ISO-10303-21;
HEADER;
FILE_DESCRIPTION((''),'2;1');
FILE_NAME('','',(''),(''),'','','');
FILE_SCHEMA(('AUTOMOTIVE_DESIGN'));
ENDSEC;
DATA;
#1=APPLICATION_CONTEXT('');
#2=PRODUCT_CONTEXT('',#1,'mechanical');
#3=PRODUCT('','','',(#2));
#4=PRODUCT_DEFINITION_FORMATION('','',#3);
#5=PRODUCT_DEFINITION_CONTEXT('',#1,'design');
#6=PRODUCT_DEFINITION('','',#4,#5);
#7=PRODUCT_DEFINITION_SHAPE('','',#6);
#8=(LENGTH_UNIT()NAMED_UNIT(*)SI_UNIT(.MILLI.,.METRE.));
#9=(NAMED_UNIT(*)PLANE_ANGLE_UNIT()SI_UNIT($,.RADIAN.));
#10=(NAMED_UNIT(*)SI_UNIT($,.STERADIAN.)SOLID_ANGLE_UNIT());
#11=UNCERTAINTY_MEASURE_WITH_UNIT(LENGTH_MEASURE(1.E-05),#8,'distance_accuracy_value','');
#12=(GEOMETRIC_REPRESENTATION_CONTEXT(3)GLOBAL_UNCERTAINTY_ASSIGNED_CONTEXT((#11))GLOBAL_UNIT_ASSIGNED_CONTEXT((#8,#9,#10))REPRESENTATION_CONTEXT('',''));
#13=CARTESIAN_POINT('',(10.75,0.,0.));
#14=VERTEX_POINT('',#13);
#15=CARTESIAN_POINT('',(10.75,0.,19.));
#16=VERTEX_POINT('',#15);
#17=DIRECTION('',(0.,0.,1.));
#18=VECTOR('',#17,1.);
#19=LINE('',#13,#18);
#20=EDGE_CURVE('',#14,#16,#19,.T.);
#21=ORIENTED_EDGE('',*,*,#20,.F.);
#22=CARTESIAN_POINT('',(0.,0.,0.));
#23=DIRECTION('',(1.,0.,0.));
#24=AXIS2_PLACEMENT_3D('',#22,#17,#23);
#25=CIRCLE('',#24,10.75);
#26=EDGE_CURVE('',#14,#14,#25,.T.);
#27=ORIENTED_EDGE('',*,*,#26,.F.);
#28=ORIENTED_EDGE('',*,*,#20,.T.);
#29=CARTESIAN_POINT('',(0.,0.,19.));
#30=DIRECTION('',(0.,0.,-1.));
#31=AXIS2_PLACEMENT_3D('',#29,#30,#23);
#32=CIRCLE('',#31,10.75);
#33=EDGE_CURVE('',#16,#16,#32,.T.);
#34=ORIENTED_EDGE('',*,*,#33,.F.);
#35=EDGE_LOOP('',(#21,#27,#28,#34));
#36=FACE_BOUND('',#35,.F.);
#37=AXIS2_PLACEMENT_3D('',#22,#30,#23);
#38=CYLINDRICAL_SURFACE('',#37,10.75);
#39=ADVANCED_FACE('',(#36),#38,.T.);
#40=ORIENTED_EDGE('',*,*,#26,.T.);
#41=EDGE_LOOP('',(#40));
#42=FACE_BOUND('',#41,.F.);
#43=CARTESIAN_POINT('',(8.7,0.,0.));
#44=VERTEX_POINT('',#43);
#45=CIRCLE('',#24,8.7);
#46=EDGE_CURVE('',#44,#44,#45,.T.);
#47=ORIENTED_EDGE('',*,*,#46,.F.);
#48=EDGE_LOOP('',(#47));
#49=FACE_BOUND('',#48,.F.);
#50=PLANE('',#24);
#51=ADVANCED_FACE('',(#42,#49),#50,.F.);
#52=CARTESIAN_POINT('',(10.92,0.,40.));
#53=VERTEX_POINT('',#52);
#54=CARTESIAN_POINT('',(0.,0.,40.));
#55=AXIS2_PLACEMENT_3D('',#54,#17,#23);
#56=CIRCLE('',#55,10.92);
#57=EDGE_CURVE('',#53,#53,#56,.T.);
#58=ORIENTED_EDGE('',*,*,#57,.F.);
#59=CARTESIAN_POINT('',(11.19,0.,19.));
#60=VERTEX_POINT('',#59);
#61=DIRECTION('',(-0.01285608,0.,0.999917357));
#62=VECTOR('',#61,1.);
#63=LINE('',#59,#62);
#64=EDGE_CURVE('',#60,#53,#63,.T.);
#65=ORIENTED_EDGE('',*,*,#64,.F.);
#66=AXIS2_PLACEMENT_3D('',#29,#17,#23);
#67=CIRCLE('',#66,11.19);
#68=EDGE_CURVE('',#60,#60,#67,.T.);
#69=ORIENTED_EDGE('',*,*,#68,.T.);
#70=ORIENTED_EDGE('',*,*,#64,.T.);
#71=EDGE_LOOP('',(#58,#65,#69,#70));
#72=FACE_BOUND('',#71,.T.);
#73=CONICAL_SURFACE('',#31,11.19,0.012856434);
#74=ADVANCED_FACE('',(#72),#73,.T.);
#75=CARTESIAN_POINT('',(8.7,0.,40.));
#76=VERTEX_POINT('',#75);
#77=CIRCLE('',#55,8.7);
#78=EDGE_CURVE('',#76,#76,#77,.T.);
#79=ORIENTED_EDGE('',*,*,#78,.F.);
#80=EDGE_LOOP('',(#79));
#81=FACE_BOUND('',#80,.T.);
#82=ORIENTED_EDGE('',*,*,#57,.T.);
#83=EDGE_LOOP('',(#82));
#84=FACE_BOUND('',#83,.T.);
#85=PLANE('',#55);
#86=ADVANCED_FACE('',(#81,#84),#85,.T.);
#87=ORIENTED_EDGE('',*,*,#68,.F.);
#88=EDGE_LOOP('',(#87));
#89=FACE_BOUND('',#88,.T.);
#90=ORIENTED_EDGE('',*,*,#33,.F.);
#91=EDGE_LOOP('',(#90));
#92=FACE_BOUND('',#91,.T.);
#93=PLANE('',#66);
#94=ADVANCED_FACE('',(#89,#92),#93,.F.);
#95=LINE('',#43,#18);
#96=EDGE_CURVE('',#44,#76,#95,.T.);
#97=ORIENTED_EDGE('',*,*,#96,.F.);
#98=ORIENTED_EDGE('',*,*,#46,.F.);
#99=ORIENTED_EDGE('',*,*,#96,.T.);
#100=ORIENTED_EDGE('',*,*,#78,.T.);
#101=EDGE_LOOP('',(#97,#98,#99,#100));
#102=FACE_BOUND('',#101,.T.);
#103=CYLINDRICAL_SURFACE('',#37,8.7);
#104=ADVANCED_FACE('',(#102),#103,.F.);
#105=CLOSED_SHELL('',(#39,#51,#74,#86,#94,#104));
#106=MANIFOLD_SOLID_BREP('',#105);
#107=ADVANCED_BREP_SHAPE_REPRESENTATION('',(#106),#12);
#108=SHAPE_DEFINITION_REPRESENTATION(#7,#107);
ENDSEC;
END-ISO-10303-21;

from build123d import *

# Parameters (mm, degrees)
CYLINDER005_R     = 8.7
CYLINDER005_DEPTH = 40
CYLINDER007_R     = 10.75
CYLINDER007_DEPTH = 40


with BuildPart() as outletextension:
    # Cylinder005 → Cylinder005 (new body)
    with BuildSketch(Plane.XY):
        Circle(CYLINDER005_R)
    extrude(amount=CYLINDER005_DEPTH)


with BuildPart() as housingoutlet:
    # Cylinder007 → Cylinder007 (new body)
    with BuildSketch(Plane.XY):
        Circle(CYLINDER007_R)
    extrude(amount=CYLINDER007_DEPTH)


with BuildPart() as bloweroutletadapter_v3:
    # Cone001 → Cone001 (revolve)
    with BuildSketch(Plane(origin=(0, 0, 19), x_dir=(1, 0, 0), z_dir=(0, -1, 0))):
        Polygon((0, 0), (11.19, 0), (10.92, 21), (0, 21), align=None)
    revolve(axis=Axis((0, 0, 19), (0, 0, 1)))

    # Fusion: union HousingOutlet
    add(housingoutlet.part)

    # Cut: cut OutletExtension
    add(outletextension.part, mode=Mode.SUBTRACT)


solid = bloweroutletadapter_v3.part
